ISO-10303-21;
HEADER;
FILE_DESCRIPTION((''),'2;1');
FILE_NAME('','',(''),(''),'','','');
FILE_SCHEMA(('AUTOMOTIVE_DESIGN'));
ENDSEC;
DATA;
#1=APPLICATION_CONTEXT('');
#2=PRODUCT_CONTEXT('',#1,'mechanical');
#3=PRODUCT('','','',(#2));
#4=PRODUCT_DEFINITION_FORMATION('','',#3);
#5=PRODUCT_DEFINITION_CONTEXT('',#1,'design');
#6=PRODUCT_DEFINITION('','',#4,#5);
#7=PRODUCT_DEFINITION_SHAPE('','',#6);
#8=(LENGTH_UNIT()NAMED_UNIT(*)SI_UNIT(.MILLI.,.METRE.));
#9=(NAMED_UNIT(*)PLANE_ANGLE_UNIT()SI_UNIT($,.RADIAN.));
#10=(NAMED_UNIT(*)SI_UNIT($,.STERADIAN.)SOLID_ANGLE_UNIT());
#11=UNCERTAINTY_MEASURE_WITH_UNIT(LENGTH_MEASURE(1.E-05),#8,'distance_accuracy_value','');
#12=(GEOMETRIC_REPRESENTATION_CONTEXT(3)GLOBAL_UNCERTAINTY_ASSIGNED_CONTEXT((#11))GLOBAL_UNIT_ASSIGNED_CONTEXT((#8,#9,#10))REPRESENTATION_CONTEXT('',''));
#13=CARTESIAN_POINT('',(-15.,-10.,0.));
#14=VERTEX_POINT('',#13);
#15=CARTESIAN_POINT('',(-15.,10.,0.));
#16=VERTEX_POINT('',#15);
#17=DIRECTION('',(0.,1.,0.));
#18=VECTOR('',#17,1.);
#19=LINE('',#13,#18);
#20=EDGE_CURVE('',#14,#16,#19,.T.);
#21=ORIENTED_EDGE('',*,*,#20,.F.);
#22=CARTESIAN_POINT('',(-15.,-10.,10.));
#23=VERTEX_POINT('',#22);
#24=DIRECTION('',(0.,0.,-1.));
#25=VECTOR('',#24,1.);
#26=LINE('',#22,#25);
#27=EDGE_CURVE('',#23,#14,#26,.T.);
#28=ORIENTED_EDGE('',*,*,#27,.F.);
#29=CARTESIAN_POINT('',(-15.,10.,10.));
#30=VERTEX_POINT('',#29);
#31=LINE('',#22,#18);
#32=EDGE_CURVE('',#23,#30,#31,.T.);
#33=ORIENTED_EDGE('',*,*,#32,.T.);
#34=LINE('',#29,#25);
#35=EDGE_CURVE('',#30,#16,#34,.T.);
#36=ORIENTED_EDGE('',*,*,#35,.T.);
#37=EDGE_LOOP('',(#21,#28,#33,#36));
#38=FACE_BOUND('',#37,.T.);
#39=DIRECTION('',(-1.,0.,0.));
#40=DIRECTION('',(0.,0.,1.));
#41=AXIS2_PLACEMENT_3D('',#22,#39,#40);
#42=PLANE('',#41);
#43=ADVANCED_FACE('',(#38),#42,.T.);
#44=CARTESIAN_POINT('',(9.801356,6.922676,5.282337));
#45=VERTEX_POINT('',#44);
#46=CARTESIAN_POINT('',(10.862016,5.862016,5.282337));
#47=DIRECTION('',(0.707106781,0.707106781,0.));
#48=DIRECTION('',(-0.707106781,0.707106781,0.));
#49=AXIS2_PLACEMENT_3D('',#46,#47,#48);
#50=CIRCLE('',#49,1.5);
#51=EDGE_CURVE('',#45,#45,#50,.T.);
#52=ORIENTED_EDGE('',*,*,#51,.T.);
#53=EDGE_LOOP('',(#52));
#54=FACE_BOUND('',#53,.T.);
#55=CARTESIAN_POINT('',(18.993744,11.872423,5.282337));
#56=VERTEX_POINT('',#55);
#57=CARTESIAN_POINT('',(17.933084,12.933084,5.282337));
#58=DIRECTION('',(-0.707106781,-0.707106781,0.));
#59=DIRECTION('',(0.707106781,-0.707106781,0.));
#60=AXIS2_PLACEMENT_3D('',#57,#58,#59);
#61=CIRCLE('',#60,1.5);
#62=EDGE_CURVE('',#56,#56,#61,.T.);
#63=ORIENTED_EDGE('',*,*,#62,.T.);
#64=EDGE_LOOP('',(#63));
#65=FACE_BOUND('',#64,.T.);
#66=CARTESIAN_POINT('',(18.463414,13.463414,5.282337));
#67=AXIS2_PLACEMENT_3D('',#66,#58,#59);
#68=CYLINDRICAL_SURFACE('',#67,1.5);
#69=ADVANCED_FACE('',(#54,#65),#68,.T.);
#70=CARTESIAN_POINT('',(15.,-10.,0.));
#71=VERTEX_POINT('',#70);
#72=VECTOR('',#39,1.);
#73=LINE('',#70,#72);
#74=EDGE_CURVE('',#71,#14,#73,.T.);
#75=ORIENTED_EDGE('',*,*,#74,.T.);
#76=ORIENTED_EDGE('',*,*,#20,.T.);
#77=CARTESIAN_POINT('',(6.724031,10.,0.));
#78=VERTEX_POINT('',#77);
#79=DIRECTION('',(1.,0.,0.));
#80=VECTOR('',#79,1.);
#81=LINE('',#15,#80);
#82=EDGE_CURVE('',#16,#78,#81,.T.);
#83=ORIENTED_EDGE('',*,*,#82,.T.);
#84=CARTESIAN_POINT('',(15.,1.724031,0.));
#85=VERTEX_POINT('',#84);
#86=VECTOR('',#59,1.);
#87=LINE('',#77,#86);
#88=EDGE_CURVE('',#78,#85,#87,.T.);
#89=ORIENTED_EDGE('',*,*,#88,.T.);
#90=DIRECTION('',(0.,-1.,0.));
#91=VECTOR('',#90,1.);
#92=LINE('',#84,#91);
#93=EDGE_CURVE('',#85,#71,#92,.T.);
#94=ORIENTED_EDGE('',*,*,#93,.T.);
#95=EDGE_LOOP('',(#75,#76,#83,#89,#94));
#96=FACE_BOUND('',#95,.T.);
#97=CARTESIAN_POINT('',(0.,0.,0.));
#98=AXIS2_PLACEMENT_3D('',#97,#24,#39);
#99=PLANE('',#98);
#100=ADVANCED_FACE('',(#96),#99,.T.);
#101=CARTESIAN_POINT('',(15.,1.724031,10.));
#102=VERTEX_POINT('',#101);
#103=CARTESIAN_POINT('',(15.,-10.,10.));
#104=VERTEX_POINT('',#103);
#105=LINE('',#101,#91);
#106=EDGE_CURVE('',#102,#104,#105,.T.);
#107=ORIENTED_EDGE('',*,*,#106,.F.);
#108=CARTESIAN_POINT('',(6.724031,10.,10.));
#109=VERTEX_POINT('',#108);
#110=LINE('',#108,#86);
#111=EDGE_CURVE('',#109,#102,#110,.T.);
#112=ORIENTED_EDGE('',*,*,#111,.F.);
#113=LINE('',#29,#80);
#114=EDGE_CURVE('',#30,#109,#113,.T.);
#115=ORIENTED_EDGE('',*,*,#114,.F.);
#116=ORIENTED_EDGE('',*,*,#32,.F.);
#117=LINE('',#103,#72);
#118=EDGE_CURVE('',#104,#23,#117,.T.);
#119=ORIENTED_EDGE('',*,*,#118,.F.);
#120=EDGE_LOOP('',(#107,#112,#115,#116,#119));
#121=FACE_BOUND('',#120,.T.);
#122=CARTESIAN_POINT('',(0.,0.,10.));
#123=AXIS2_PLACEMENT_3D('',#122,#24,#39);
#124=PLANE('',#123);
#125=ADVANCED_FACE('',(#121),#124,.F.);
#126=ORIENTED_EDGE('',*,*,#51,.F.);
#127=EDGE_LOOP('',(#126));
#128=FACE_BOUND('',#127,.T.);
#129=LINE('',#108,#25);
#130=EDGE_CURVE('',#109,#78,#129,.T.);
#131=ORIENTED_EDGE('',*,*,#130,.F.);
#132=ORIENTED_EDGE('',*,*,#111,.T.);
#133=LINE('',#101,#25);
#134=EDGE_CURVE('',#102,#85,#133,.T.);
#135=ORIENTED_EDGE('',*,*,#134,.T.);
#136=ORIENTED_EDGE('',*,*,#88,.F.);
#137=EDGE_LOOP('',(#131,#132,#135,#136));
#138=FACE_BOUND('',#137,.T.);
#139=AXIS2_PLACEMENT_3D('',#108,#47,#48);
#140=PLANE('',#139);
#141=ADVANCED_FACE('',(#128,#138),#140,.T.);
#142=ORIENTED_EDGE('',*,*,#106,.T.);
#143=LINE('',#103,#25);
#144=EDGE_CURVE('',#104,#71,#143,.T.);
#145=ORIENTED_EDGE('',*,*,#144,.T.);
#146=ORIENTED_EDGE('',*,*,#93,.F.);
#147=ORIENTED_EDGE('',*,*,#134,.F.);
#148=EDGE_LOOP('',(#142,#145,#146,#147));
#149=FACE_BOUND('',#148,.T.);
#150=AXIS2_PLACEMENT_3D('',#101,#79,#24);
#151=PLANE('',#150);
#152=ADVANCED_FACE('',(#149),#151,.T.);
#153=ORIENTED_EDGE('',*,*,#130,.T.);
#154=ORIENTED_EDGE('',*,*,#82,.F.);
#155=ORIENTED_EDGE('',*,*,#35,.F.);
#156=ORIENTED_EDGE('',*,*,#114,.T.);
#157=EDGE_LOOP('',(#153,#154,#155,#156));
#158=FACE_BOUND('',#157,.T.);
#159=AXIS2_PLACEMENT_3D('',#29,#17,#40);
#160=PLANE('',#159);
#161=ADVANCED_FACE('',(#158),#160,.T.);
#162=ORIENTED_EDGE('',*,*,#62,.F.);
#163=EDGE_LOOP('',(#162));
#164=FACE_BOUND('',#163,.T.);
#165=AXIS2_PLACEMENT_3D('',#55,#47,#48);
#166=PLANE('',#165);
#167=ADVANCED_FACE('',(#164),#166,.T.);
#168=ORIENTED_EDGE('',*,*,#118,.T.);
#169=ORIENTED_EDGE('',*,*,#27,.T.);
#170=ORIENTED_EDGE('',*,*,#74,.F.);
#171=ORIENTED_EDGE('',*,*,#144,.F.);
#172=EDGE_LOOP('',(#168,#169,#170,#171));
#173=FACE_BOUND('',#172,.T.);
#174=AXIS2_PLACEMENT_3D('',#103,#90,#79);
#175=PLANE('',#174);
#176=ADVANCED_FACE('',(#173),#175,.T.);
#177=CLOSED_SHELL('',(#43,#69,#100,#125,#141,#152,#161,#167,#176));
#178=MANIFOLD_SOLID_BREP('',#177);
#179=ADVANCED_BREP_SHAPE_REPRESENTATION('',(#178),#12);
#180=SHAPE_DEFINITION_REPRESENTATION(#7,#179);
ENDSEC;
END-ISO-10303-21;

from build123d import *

# Parameters (mm, degrees)
BOSS_EXTRUDE1_DEPTH = 10


with BuildPart() as part:
    # Sketch1 → Boss-Extrude1 (new body)
    with BuildSketch(Plane(origin=(0, 0, 0), x_dir=(-1, 0, 0), z_dir=(0, 0, -1))):
        Polygon((-15, 1.724031376), (-15, -10), (15, -10), (15, 10), (-6.724031376, 10), align=None)
    extrude(amount=-BOSS_EXTRUDE1_DEPTH)

    # Sketch2 → Revolve1 (revolve)
    with BuildSketch(Plane.XY.offset(5.2823368)):
        Polygon((18.993743672, 11.872423328), (17.9330835, 12.9330835), (10.862015688, 5.862015688), (11.92267586, 4.801355516), align=None)
    revolve(axis=Axis((18.463413586, 13.463413586, 5.2823368), (-0.7071067811865389, -0.7071067811865562, 0)))


solid = part.part
